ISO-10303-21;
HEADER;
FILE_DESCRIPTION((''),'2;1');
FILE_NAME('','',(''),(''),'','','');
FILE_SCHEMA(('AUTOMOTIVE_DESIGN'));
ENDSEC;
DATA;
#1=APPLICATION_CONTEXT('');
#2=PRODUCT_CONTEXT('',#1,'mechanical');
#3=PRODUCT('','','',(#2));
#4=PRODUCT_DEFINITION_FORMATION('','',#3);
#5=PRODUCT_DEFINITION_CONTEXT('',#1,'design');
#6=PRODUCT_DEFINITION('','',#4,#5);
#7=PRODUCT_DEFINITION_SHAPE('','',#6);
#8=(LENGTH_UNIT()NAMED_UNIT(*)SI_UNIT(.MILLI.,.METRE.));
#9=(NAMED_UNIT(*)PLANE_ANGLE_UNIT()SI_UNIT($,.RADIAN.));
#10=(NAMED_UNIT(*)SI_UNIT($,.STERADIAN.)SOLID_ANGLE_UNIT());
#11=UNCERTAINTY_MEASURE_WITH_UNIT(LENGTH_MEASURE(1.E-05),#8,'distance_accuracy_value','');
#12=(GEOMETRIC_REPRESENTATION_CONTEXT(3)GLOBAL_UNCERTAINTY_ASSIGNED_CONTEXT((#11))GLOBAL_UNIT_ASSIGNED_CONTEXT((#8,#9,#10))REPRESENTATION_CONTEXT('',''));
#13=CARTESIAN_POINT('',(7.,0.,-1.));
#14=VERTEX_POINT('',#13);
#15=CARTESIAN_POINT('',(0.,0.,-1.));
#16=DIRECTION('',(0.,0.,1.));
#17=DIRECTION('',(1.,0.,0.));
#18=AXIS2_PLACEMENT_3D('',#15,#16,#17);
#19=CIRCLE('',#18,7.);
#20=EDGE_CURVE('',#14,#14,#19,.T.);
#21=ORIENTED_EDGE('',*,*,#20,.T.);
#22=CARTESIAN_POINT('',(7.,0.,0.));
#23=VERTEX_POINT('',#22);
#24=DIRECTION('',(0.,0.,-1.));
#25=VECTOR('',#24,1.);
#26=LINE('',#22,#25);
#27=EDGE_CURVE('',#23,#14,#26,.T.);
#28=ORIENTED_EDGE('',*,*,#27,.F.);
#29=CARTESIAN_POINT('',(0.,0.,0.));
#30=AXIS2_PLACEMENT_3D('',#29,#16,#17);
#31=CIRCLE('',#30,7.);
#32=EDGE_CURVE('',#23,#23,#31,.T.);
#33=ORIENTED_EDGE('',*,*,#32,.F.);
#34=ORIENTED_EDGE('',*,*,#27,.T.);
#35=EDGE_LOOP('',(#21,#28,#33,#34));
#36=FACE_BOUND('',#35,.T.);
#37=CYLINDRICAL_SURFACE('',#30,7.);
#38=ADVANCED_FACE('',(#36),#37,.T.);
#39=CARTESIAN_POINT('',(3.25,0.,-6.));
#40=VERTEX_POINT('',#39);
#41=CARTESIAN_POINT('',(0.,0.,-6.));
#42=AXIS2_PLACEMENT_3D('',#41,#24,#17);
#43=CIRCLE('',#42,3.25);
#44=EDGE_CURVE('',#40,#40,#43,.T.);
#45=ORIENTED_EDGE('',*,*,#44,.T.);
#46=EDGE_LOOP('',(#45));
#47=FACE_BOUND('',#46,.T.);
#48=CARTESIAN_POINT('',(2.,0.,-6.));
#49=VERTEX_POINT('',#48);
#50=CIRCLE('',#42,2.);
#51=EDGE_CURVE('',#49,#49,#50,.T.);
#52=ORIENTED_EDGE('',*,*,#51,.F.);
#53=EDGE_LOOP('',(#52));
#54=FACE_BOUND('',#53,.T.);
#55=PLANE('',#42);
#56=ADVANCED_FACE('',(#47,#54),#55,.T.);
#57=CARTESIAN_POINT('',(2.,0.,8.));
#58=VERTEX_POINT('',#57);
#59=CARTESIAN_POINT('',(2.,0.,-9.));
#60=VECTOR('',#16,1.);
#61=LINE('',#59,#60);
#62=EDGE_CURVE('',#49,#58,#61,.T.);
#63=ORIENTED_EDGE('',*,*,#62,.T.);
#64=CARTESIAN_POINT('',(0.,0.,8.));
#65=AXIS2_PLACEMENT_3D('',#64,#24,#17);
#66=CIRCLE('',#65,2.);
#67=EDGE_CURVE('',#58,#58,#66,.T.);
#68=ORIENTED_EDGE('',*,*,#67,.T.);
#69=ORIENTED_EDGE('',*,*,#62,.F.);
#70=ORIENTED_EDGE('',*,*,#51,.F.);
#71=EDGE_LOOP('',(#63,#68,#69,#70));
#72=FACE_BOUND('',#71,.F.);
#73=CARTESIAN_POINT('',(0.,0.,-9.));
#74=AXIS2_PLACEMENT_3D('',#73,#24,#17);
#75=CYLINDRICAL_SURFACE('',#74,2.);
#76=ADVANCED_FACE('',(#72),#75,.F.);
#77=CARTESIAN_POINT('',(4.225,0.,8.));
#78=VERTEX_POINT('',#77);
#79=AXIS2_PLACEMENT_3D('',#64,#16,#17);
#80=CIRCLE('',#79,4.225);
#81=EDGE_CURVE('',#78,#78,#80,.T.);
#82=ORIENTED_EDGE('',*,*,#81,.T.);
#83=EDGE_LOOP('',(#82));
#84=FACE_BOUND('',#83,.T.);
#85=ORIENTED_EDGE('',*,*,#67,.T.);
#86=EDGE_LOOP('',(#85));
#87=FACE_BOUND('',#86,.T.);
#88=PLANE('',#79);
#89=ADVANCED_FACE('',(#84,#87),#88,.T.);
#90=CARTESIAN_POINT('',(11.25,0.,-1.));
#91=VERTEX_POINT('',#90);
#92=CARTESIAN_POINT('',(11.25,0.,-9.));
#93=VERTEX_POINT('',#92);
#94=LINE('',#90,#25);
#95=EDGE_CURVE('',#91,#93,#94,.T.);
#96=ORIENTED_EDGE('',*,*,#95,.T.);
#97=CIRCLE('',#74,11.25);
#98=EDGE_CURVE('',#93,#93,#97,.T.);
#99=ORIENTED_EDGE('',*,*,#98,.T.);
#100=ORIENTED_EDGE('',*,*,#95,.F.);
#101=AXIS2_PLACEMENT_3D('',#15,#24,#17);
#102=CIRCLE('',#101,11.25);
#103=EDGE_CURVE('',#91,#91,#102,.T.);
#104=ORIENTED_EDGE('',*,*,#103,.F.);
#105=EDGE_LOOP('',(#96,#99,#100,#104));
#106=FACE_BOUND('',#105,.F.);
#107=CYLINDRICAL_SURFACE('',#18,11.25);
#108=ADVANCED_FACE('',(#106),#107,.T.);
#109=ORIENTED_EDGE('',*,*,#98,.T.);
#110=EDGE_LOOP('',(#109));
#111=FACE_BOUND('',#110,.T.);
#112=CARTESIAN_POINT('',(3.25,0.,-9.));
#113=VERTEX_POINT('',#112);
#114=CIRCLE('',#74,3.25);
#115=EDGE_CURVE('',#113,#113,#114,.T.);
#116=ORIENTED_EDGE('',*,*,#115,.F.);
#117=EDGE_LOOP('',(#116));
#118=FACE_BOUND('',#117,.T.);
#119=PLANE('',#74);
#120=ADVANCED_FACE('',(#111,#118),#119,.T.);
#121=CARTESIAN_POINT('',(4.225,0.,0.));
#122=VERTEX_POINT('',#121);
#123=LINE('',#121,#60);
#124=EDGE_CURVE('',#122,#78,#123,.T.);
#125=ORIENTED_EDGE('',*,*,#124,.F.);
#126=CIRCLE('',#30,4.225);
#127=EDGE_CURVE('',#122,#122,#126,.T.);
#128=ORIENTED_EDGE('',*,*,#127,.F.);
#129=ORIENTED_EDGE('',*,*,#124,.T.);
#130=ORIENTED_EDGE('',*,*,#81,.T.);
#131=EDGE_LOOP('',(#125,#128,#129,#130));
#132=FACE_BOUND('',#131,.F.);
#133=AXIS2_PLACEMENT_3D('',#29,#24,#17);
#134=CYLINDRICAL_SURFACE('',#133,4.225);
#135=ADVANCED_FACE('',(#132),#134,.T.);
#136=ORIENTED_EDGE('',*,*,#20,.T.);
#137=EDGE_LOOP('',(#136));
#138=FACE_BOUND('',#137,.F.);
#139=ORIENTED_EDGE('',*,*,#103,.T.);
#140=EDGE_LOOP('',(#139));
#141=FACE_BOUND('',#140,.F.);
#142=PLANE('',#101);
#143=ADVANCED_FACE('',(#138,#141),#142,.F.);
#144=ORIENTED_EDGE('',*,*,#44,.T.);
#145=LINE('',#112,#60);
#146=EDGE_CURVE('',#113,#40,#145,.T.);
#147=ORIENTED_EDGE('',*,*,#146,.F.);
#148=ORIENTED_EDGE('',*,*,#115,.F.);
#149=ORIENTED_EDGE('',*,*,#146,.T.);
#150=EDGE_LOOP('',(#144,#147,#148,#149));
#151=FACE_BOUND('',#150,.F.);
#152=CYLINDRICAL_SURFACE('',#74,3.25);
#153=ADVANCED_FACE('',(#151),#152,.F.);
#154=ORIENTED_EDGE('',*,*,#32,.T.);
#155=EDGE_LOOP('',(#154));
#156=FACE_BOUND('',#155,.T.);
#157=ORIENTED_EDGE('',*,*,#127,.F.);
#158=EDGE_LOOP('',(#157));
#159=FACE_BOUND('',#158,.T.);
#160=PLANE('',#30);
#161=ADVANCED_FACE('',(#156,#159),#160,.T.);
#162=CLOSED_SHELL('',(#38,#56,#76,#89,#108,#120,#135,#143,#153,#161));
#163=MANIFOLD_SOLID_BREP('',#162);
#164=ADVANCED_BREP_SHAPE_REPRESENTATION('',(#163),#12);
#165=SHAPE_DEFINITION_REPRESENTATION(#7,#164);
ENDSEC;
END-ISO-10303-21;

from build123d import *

# Parameters (mm, degrees)
SKETCH_R        = 4.225
PAD_DEPTH       = 8
SKETCH001_R     = 7
PAD001_DEPTH    = 1
SKETCH002_R     = 11.25
PAD002_DEPTH    = 8
SKETCH003_R     = 2
POCKET_DEPTH    = 17.001
SKETCH004_R     = 3.25
POCKET001_DEPTH = 3


with BuildPart() as part:
    # Sketch → Pad (new body)
    with BuildSketch(Plane.XY):
        Circle(SKETCH_R)
    extrude(amount=PAD_DEPTH)

    # Sketch001 → Pad001 (join)
    with BuildSketch(Plane.XY):
        Circle(SKETCH001_R)
    extrude(amount=-PAD001_DEPTH)

    # Sketch002 (on Face3 of Pad001) → Pad002 (join)
    with BuildSketch(Plane(origin=(0, 0, -1), x_dir=(1, 0, 0), z_dir=(0, 0, -1))):
        Circle(SKETCH002_R)
    extrude(amount=PAD002_DEPTH)

    # Sketch003 (on Face3 of Pad002) → Pocket (cut, through all)
    with BuildSketch(Plane(origin=(0, 0, -9), x_dir=(1, 0, 0), z_dir=(0, 0, -1))):
        Circle(SKETCH003_R)
    extrude(amount=-POCKET_DEPTH, mode=Mode.SUBTRACT)

    # Sketch004 (on Face3 of Pocket) → Pocket001 (cut)
    with BuildSketch(Plane(origin=(0, 0, -9), x_dir=(1, 0, 0), z_dir=(0, 0, -1))):
        Circle(SKETCH004_R)
    extrude(amount=-POCKET001_DEPTH, mode=Mode.SUBTRACT)


solid = part.part
